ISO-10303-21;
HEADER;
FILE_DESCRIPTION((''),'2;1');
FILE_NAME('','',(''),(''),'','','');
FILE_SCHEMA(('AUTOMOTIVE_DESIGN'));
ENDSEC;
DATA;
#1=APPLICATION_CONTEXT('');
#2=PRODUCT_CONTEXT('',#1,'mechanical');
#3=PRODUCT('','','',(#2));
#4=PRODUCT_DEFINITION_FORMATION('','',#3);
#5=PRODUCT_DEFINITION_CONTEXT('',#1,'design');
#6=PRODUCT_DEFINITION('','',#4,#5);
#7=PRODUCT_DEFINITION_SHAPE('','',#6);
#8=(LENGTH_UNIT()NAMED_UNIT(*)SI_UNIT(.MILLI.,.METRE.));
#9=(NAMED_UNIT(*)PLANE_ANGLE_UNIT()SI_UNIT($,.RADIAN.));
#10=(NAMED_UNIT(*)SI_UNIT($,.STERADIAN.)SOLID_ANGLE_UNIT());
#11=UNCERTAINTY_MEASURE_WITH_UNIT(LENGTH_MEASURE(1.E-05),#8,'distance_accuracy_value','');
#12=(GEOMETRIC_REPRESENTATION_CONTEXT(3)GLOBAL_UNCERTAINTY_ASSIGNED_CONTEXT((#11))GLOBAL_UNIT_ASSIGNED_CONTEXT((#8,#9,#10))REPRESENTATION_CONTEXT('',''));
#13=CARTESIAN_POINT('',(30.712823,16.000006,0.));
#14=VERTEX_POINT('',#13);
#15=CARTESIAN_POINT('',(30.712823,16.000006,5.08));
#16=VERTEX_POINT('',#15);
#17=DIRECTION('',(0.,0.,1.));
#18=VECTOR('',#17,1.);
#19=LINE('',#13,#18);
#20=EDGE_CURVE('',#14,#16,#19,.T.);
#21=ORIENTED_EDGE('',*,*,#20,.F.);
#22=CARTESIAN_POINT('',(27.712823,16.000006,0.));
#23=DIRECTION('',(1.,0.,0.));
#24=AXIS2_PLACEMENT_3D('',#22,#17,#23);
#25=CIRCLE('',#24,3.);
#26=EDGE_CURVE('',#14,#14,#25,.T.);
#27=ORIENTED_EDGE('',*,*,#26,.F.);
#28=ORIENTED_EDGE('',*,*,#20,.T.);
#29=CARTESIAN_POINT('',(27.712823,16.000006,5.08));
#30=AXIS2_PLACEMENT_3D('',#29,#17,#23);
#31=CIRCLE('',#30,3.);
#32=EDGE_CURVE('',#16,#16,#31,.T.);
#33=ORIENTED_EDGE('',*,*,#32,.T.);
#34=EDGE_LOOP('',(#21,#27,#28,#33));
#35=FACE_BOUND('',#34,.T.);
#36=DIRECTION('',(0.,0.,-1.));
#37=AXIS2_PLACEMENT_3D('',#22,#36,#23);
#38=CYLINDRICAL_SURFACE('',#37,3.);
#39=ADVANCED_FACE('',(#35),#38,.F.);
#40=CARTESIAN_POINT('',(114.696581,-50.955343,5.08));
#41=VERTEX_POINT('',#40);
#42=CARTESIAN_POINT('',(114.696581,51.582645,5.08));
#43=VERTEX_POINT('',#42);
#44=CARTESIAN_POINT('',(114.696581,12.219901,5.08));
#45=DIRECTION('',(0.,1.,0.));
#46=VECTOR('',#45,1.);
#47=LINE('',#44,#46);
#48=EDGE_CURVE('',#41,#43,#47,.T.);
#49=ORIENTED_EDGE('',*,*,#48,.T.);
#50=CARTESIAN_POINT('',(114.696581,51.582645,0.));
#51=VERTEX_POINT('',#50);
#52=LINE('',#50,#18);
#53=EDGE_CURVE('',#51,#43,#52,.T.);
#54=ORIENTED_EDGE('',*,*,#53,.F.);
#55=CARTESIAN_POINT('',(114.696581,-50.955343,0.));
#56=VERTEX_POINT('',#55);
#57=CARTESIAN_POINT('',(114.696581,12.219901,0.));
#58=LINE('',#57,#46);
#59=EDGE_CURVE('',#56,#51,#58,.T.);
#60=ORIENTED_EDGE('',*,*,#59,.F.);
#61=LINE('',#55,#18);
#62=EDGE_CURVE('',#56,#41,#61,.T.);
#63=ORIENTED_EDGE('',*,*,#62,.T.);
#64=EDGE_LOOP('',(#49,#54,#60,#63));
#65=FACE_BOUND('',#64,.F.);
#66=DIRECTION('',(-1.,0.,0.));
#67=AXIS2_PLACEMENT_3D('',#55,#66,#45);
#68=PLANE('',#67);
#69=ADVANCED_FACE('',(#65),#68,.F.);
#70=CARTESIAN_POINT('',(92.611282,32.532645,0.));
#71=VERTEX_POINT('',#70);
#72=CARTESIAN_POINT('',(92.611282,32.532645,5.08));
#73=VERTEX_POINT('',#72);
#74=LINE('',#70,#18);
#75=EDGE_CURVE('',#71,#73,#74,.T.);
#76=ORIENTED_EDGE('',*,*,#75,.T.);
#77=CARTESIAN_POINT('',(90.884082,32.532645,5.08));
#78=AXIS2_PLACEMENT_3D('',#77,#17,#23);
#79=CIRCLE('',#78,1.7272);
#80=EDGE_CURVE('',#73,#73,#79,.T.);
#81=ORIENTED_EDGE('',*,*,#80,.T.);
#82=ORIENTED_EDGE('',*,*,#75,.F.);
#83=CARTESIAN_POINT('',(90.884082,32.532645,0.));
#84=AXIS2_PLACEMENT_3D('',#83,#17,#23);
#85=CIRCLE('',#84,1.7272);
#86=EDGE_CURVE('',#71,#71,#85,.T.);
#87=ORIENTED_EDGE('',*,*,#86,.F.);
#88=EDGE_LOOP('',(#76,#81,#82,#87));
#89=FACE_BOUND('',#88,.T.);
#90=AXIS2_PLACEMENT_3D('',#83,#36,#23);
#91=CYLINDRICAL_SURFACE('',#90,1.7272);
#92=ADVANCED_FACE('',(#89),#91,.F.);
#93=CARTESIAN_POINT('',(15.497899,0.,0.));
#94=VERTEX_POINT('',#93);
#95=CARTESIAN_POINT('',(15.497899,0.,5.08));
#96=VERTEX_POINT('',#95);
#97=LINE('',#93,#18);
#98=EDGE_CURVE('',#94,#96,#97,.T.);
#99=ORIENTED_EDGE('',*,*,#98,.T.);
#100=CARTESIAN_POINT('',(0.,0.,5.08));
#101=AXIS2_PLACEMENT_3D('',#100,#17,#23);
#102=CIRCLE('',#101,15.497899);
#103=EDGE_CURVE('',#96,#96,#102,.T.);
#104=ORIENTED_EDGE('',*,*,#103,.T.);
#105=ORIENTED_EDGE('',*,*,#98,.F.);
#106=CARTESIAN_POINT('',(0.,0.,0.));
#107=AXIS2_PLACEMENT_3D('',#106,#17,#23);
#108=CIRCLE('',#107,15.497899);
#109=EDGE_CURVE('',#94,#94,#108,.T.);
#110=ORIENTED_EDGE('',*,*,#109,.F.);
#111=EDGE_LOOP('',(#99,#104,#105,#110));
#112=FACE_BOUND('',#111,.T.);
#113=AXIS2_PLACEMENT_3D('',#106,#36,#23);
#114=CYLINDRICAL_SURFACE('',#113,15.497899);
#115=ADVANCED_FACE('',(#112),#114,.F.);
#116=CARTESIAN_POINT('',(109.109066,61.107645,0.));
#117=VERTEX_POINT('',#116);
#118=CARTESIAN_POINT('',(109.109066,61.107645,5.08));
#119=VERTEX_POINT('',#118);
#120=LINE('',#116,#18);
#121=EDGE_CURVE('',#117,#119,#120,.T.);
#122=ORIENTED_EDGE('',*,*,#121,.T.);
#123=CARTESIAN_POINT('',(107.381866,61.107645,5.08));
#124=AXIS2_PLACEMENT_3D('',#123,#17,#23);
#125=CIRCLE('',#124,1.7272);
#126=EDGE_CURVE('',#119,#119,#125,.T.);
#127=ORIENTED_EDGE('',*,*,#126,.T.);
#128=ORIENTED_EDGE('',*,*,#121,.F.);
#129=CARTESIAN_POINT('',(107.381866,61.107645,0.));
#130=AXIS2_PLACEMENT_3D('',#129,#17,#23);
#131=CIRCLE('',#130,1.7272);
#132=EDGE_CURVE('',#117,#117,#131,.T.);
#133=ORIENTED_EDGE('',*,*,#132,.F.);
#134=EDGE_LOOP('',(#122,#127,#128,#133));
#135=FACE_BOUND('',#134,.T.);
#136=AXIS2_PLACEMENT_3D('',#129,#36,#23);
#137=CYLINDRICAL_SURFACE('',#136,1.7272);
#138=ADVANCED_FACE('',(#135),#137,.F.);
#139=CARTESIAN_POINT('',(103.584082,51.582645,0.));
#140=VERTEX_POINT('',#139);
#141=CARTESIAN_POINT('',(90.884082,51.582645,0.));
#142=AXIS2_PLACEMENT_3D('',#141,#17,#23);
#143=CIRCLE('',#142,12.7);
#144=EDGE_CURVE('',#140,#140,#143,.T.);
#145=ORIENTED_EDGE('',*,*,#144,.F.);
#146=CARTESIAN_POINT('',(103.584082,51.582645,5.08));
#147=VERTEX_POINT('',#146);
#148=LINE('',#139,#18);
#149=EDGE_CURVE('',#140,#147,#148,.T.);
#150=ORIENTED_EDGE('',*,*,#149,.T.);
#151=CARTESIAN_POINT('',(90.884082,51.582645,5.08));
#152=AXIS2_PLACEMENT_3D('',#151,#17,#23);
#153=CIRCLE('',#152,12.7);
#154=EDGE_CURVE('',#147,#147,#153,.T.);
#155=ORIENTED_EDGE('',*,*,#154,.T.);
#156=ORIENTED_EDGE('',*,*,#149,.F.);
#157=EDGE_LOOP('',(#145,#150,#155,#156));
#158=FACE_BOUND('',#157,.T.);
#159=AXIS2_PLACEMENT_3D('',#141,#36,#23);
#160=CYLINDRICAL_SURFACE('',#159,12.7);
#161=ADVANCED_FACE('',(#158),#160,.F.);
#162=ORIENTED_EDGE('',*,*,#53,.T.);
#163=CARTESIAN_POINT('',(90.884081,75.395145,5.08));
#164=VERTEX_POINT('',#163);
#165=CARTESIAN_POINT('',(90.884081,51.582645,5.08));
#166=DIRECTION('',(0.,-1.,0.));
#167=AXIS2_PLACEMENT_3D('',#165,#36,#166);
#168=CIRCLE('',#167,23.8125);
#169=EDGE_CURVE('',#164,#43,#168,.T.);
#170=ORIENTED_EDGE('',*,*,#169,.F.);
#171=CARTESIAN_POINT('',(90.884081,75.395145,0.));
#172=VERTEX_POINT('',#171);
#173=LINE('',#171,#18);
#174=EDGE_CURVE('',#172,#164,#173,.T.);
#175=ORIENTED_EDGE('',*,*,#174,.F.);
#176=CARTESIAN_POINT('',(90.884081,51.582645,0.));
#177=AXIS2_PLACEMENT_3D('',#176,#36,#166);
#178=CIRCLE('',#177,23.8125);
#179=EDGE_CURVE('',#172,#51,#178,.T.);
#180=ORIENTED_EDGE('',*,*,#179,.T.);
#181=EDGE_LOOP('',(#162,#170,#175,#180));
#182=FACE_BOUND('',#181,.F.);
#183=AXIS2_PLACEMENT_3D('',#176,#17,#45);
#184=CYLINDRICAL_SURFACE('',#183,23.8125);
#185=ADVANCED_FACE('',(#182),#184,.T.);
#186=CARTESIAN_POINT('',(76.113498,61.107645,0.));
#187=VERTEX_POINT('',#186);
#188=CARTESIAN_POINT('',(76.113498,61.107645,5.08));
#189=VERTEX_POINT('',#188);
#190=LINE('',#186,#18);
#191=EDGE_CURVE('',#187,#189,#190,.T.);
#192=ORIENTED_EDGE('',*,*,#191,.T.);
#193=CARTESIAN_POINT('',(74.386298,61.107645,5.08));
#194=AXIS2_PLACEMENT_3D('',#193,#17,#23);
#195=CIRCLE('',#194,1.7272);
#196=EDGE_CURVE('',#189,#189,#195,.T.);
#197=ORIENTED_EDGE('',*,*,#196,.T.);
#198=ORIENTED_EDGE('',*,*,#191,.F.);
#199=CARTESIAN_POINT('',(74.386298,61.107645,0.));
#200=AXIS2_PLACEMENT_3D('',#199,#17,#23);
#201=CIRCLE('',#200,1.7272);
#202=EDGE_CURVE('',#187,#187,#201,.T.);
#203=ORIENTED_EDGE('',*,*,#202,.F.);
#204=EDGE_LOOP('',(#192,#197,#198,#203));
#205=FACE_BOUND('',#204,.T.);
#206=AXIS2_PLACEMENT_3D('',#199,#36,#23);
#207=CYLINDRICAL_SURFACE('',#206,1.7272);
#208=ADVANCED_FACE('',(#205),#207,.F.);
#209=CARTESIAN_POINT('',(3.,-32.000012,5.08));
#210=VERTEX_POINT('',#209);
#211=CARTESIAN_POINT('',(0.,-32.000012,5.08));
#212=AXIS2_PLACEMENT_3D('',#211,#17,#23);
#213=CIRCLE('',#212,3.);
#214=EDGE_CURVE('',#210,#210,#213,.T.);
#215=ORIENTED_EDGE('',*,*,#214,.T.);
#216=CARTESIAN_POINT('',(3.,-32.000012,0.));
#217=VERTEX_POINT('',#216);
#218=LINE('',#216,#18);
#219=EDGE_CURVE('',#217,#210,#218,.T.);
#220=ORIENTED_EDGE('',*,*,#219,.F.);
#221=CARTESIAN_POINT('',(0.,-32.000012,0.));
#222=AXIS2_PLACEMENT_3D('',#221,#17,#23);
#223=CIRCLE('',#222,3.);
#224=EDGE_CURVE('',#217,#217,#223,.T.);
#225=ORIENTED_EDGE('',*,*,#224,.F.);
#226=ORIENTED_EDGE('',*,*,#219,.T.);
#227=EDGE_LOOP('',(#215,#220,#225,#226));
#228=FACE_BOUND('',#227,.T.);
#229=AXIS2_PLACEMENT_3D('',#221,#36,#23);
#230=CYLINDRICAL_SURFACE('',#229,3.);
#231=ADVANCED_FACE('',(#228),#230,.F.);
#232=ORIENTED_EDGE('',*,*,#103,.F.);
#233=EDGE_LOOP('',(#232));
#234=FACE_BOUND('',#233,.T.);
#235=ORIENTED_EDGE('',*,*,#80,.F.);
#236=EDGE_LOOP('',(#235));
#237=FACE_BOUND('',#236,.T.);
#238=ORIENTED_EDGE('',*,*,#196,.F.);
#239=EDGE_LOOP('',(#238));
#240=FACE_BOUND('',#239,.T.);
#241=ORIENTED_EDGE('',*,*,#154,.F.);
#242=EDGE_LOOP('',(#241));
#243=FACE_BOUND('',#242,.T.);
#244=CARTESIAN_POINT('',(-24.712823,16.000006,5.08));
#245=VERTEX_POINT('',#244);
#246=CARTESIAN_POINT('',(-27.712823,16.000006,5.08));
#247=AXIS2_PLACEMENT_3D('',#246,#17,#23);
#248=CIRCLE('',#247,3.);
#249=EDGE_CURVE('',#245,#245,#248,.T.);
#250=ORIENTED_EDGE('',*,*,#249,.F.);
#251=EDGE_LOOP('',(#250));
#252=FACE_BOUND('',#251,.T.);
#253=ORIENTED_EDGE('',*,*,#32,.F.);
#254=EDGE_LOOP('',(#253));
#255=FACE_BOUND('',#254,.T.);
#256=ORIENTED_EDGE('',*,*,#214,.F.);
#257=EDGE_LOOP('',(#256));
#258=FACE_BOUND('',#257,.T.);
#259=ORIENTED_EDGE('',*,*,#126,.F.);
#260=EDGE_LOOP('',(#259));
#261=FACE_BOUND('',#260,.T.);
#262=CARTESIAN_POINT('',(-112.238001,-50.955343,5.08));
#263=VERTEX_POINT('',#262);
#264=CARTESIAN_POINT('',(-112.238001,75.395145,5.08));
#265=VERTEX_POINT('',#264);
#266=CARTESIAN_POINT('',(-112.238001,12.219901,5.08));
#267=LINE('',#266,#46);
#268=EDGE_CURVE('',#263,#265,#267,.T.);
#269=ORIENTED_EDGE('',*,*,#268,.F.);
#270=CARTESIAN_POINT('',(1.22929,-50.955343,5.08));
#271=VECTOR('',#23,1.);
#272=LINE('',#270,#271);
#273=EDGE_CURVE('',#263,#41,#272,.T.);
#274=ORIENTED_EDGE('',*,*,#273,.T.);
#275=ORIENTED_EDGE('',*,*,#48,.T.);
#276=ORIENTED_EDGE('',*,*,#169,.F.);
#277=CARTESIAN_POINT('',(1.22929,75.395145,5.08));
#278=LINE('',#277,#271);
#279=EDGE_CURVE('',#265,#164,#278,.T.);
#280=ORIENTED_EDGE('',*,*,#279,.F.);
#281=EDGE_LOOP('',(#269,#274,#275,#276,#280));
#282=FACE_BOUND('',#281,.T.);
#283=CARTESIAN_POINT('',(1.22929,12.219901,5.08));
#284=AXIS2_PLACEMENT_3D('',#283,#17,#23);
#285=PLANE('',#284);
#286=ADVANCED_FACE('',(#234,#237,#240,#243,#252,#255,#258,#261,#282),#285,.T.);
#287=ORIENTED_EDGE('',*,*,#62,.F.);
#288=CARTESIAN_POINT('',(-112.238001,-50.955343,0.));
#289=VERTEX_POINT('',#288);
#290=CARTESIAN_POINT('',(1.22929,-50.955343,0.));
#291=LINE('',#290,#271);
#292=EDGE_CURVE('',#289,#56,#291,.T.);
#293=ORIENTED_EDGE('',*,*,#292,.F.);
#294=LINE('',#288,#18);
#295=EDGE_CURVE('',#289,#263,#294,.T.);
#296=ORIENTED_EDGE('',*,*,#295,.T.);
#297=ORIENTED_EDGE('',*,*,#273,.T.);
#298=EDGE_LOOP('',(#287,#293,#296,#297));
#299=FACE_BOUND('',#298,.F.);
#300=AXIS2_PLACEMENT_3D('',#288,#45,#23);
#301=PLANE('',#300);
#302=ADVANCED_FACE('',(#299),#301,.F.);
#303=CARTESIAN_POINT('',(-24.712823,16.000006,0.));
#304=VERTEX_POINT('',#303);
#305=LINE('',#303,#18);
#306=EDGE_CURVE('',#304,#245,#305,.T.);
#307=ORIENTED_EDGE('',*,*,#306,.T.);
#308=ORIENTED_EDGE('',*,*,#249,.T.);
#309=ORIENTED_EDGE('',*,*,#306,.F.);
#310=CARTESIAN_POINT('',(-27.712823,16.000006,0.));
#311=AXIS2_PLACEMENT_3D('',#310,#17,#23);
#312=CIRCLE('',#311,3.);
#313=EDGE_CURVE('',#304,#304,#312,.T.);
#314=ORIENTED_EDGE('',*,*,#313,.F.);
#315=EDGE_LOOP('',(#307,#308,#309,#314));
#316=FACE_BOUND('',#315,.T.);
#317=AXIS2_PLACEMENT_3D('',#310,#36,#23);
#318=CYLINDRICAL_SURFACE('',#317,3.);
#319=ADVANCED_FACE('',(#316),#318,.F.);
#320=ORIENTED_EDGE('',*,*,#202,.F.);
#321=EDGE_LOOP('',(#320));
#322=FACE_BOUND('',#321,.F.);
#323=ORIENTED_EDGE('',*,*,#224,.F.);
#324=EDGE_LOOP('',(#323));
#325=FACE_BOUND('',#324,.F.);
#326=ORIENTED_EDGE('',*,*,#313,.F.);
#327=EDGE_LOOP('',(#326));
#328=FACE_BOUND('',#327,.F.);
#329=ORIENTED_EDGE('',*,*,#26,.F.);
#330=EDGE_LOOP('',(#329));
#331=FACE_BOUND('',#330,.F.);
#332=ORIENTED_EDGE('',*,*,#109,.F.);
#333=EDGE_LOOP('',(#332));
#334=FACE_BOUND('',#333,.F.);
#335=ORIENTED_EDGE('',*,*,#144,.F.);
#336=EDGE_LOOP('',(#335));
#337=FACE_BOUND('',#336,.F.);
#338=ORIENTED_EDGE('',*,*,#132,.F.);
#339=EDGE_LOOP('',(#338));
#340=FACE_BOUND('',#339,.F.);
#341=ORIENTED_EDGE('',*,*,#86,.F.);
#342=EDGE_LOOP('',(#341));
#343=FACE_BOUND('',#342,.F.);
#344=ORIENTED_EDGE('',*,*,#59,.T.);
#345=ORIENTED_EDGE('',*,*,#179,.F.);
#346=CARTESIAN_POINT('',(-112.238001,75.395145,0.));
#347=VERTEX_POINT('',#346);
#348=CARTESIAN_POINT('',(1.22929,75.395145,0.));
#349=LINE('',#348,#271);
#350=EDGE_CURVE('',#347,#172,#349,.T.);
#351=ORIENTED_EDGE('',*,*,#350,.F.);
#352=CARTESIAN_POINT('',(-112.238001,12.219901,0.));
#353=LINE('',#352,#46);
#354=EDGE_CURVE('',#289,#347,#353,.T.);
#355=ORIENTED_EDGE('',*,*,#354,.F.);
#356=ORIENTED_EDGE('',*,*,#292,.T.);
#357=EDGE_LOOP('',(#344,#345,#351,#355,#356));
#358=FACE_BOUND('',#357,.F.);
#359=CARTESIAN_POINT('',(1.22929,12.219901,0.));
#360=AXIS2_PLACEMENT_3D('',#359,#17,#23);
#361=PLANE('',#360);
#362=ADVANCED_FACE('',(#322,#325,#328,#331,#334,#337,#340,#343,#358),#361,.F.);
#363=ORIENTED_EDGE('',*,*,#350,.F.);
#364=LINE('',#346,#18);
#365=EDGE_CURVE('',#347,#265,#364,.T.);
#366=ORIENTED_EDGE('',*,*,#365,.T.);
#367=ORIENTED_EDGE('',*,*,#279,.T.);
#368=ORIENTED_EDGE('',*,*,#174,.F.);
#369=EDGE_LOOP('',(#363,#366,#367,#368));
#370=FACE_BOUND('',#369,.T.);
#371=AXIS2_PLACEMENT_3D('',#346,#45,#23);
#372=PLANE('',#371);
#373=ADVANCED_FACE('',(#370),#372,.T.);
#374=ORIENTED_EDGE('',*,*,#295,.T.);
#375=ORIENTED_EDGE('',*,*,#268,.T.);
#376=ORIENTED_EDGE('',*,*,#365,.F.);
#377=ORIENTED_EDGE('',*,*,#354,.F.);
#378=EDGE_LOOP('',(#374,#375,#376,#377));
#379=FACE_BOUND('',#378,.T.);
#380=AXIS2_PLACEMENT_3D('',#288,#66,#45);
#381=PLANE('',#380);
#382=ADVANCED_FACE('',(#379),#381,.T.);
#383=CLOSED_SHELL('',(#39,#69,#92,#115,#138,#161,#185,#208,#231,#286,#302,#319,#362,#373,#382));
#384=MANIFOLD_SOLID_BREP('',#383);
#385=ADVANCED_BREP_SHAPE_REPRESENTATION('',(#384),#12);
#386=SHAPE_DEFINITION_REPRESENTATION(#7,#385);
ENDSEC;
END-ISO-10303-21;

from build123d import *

# Parameters (mm, degrees)
F0_W     = 226.934583
F0_H     = 126.350489
F0_R     = 3
F0_R_2   = 15.497899
F0_R_3   = 1.7272
F0_R_4   = 12.7
F1_DEPTH = 5.08
F2_R     = 23.8125


with BuildPart() as f1:
    # F0 (on Top) → F1 (new body)
    with BuildSketch(Plane.XY):
        with Locations((1.22929, 12.219901)):
            Rectangle(F0_W, F0_H)
        with Locations((0, -32.000012)):
            Circle(F0_R, mode=Mode.SUBTRACT)
        Circle(F0_R_2, mode=Mode.SUBTRACT)
        with Locations((-27.712823, 16.000006)):
            Circle(F0_R, mode=Mode.SUBTRACT)
        with Locations((27.712823, 16.000006)):
            Circle(F0_R, mode=Mode.SUBTRACT)
        with Locations((90.884082, 32.532645)):
            Circle(F0_R_3, mode=Mode.SUBTRACT)
        with Locations((90.884082, 51.582645)):
            Circle(F0_R_4, mode=Mode.SUBTRACT)
        with Locations((74.386298, 61.107645)):
            Circle(F0_R_3, mode=Mode.SUBTRACT)
        with Locations((107.381866, 61.107645)):
            Circle(F0_R_3, mode=Mode.SUBTRACT)
    extrude(amount=F1_DEPTH)

    # F2
    f2_edges = [f1.edges().sort_by_distance(p)[0] for p in [
        (114.696582, 75.395145, 2.54),
    ]]
    fillet(f2_edges, radius=F2_R)


solid = f1.part
